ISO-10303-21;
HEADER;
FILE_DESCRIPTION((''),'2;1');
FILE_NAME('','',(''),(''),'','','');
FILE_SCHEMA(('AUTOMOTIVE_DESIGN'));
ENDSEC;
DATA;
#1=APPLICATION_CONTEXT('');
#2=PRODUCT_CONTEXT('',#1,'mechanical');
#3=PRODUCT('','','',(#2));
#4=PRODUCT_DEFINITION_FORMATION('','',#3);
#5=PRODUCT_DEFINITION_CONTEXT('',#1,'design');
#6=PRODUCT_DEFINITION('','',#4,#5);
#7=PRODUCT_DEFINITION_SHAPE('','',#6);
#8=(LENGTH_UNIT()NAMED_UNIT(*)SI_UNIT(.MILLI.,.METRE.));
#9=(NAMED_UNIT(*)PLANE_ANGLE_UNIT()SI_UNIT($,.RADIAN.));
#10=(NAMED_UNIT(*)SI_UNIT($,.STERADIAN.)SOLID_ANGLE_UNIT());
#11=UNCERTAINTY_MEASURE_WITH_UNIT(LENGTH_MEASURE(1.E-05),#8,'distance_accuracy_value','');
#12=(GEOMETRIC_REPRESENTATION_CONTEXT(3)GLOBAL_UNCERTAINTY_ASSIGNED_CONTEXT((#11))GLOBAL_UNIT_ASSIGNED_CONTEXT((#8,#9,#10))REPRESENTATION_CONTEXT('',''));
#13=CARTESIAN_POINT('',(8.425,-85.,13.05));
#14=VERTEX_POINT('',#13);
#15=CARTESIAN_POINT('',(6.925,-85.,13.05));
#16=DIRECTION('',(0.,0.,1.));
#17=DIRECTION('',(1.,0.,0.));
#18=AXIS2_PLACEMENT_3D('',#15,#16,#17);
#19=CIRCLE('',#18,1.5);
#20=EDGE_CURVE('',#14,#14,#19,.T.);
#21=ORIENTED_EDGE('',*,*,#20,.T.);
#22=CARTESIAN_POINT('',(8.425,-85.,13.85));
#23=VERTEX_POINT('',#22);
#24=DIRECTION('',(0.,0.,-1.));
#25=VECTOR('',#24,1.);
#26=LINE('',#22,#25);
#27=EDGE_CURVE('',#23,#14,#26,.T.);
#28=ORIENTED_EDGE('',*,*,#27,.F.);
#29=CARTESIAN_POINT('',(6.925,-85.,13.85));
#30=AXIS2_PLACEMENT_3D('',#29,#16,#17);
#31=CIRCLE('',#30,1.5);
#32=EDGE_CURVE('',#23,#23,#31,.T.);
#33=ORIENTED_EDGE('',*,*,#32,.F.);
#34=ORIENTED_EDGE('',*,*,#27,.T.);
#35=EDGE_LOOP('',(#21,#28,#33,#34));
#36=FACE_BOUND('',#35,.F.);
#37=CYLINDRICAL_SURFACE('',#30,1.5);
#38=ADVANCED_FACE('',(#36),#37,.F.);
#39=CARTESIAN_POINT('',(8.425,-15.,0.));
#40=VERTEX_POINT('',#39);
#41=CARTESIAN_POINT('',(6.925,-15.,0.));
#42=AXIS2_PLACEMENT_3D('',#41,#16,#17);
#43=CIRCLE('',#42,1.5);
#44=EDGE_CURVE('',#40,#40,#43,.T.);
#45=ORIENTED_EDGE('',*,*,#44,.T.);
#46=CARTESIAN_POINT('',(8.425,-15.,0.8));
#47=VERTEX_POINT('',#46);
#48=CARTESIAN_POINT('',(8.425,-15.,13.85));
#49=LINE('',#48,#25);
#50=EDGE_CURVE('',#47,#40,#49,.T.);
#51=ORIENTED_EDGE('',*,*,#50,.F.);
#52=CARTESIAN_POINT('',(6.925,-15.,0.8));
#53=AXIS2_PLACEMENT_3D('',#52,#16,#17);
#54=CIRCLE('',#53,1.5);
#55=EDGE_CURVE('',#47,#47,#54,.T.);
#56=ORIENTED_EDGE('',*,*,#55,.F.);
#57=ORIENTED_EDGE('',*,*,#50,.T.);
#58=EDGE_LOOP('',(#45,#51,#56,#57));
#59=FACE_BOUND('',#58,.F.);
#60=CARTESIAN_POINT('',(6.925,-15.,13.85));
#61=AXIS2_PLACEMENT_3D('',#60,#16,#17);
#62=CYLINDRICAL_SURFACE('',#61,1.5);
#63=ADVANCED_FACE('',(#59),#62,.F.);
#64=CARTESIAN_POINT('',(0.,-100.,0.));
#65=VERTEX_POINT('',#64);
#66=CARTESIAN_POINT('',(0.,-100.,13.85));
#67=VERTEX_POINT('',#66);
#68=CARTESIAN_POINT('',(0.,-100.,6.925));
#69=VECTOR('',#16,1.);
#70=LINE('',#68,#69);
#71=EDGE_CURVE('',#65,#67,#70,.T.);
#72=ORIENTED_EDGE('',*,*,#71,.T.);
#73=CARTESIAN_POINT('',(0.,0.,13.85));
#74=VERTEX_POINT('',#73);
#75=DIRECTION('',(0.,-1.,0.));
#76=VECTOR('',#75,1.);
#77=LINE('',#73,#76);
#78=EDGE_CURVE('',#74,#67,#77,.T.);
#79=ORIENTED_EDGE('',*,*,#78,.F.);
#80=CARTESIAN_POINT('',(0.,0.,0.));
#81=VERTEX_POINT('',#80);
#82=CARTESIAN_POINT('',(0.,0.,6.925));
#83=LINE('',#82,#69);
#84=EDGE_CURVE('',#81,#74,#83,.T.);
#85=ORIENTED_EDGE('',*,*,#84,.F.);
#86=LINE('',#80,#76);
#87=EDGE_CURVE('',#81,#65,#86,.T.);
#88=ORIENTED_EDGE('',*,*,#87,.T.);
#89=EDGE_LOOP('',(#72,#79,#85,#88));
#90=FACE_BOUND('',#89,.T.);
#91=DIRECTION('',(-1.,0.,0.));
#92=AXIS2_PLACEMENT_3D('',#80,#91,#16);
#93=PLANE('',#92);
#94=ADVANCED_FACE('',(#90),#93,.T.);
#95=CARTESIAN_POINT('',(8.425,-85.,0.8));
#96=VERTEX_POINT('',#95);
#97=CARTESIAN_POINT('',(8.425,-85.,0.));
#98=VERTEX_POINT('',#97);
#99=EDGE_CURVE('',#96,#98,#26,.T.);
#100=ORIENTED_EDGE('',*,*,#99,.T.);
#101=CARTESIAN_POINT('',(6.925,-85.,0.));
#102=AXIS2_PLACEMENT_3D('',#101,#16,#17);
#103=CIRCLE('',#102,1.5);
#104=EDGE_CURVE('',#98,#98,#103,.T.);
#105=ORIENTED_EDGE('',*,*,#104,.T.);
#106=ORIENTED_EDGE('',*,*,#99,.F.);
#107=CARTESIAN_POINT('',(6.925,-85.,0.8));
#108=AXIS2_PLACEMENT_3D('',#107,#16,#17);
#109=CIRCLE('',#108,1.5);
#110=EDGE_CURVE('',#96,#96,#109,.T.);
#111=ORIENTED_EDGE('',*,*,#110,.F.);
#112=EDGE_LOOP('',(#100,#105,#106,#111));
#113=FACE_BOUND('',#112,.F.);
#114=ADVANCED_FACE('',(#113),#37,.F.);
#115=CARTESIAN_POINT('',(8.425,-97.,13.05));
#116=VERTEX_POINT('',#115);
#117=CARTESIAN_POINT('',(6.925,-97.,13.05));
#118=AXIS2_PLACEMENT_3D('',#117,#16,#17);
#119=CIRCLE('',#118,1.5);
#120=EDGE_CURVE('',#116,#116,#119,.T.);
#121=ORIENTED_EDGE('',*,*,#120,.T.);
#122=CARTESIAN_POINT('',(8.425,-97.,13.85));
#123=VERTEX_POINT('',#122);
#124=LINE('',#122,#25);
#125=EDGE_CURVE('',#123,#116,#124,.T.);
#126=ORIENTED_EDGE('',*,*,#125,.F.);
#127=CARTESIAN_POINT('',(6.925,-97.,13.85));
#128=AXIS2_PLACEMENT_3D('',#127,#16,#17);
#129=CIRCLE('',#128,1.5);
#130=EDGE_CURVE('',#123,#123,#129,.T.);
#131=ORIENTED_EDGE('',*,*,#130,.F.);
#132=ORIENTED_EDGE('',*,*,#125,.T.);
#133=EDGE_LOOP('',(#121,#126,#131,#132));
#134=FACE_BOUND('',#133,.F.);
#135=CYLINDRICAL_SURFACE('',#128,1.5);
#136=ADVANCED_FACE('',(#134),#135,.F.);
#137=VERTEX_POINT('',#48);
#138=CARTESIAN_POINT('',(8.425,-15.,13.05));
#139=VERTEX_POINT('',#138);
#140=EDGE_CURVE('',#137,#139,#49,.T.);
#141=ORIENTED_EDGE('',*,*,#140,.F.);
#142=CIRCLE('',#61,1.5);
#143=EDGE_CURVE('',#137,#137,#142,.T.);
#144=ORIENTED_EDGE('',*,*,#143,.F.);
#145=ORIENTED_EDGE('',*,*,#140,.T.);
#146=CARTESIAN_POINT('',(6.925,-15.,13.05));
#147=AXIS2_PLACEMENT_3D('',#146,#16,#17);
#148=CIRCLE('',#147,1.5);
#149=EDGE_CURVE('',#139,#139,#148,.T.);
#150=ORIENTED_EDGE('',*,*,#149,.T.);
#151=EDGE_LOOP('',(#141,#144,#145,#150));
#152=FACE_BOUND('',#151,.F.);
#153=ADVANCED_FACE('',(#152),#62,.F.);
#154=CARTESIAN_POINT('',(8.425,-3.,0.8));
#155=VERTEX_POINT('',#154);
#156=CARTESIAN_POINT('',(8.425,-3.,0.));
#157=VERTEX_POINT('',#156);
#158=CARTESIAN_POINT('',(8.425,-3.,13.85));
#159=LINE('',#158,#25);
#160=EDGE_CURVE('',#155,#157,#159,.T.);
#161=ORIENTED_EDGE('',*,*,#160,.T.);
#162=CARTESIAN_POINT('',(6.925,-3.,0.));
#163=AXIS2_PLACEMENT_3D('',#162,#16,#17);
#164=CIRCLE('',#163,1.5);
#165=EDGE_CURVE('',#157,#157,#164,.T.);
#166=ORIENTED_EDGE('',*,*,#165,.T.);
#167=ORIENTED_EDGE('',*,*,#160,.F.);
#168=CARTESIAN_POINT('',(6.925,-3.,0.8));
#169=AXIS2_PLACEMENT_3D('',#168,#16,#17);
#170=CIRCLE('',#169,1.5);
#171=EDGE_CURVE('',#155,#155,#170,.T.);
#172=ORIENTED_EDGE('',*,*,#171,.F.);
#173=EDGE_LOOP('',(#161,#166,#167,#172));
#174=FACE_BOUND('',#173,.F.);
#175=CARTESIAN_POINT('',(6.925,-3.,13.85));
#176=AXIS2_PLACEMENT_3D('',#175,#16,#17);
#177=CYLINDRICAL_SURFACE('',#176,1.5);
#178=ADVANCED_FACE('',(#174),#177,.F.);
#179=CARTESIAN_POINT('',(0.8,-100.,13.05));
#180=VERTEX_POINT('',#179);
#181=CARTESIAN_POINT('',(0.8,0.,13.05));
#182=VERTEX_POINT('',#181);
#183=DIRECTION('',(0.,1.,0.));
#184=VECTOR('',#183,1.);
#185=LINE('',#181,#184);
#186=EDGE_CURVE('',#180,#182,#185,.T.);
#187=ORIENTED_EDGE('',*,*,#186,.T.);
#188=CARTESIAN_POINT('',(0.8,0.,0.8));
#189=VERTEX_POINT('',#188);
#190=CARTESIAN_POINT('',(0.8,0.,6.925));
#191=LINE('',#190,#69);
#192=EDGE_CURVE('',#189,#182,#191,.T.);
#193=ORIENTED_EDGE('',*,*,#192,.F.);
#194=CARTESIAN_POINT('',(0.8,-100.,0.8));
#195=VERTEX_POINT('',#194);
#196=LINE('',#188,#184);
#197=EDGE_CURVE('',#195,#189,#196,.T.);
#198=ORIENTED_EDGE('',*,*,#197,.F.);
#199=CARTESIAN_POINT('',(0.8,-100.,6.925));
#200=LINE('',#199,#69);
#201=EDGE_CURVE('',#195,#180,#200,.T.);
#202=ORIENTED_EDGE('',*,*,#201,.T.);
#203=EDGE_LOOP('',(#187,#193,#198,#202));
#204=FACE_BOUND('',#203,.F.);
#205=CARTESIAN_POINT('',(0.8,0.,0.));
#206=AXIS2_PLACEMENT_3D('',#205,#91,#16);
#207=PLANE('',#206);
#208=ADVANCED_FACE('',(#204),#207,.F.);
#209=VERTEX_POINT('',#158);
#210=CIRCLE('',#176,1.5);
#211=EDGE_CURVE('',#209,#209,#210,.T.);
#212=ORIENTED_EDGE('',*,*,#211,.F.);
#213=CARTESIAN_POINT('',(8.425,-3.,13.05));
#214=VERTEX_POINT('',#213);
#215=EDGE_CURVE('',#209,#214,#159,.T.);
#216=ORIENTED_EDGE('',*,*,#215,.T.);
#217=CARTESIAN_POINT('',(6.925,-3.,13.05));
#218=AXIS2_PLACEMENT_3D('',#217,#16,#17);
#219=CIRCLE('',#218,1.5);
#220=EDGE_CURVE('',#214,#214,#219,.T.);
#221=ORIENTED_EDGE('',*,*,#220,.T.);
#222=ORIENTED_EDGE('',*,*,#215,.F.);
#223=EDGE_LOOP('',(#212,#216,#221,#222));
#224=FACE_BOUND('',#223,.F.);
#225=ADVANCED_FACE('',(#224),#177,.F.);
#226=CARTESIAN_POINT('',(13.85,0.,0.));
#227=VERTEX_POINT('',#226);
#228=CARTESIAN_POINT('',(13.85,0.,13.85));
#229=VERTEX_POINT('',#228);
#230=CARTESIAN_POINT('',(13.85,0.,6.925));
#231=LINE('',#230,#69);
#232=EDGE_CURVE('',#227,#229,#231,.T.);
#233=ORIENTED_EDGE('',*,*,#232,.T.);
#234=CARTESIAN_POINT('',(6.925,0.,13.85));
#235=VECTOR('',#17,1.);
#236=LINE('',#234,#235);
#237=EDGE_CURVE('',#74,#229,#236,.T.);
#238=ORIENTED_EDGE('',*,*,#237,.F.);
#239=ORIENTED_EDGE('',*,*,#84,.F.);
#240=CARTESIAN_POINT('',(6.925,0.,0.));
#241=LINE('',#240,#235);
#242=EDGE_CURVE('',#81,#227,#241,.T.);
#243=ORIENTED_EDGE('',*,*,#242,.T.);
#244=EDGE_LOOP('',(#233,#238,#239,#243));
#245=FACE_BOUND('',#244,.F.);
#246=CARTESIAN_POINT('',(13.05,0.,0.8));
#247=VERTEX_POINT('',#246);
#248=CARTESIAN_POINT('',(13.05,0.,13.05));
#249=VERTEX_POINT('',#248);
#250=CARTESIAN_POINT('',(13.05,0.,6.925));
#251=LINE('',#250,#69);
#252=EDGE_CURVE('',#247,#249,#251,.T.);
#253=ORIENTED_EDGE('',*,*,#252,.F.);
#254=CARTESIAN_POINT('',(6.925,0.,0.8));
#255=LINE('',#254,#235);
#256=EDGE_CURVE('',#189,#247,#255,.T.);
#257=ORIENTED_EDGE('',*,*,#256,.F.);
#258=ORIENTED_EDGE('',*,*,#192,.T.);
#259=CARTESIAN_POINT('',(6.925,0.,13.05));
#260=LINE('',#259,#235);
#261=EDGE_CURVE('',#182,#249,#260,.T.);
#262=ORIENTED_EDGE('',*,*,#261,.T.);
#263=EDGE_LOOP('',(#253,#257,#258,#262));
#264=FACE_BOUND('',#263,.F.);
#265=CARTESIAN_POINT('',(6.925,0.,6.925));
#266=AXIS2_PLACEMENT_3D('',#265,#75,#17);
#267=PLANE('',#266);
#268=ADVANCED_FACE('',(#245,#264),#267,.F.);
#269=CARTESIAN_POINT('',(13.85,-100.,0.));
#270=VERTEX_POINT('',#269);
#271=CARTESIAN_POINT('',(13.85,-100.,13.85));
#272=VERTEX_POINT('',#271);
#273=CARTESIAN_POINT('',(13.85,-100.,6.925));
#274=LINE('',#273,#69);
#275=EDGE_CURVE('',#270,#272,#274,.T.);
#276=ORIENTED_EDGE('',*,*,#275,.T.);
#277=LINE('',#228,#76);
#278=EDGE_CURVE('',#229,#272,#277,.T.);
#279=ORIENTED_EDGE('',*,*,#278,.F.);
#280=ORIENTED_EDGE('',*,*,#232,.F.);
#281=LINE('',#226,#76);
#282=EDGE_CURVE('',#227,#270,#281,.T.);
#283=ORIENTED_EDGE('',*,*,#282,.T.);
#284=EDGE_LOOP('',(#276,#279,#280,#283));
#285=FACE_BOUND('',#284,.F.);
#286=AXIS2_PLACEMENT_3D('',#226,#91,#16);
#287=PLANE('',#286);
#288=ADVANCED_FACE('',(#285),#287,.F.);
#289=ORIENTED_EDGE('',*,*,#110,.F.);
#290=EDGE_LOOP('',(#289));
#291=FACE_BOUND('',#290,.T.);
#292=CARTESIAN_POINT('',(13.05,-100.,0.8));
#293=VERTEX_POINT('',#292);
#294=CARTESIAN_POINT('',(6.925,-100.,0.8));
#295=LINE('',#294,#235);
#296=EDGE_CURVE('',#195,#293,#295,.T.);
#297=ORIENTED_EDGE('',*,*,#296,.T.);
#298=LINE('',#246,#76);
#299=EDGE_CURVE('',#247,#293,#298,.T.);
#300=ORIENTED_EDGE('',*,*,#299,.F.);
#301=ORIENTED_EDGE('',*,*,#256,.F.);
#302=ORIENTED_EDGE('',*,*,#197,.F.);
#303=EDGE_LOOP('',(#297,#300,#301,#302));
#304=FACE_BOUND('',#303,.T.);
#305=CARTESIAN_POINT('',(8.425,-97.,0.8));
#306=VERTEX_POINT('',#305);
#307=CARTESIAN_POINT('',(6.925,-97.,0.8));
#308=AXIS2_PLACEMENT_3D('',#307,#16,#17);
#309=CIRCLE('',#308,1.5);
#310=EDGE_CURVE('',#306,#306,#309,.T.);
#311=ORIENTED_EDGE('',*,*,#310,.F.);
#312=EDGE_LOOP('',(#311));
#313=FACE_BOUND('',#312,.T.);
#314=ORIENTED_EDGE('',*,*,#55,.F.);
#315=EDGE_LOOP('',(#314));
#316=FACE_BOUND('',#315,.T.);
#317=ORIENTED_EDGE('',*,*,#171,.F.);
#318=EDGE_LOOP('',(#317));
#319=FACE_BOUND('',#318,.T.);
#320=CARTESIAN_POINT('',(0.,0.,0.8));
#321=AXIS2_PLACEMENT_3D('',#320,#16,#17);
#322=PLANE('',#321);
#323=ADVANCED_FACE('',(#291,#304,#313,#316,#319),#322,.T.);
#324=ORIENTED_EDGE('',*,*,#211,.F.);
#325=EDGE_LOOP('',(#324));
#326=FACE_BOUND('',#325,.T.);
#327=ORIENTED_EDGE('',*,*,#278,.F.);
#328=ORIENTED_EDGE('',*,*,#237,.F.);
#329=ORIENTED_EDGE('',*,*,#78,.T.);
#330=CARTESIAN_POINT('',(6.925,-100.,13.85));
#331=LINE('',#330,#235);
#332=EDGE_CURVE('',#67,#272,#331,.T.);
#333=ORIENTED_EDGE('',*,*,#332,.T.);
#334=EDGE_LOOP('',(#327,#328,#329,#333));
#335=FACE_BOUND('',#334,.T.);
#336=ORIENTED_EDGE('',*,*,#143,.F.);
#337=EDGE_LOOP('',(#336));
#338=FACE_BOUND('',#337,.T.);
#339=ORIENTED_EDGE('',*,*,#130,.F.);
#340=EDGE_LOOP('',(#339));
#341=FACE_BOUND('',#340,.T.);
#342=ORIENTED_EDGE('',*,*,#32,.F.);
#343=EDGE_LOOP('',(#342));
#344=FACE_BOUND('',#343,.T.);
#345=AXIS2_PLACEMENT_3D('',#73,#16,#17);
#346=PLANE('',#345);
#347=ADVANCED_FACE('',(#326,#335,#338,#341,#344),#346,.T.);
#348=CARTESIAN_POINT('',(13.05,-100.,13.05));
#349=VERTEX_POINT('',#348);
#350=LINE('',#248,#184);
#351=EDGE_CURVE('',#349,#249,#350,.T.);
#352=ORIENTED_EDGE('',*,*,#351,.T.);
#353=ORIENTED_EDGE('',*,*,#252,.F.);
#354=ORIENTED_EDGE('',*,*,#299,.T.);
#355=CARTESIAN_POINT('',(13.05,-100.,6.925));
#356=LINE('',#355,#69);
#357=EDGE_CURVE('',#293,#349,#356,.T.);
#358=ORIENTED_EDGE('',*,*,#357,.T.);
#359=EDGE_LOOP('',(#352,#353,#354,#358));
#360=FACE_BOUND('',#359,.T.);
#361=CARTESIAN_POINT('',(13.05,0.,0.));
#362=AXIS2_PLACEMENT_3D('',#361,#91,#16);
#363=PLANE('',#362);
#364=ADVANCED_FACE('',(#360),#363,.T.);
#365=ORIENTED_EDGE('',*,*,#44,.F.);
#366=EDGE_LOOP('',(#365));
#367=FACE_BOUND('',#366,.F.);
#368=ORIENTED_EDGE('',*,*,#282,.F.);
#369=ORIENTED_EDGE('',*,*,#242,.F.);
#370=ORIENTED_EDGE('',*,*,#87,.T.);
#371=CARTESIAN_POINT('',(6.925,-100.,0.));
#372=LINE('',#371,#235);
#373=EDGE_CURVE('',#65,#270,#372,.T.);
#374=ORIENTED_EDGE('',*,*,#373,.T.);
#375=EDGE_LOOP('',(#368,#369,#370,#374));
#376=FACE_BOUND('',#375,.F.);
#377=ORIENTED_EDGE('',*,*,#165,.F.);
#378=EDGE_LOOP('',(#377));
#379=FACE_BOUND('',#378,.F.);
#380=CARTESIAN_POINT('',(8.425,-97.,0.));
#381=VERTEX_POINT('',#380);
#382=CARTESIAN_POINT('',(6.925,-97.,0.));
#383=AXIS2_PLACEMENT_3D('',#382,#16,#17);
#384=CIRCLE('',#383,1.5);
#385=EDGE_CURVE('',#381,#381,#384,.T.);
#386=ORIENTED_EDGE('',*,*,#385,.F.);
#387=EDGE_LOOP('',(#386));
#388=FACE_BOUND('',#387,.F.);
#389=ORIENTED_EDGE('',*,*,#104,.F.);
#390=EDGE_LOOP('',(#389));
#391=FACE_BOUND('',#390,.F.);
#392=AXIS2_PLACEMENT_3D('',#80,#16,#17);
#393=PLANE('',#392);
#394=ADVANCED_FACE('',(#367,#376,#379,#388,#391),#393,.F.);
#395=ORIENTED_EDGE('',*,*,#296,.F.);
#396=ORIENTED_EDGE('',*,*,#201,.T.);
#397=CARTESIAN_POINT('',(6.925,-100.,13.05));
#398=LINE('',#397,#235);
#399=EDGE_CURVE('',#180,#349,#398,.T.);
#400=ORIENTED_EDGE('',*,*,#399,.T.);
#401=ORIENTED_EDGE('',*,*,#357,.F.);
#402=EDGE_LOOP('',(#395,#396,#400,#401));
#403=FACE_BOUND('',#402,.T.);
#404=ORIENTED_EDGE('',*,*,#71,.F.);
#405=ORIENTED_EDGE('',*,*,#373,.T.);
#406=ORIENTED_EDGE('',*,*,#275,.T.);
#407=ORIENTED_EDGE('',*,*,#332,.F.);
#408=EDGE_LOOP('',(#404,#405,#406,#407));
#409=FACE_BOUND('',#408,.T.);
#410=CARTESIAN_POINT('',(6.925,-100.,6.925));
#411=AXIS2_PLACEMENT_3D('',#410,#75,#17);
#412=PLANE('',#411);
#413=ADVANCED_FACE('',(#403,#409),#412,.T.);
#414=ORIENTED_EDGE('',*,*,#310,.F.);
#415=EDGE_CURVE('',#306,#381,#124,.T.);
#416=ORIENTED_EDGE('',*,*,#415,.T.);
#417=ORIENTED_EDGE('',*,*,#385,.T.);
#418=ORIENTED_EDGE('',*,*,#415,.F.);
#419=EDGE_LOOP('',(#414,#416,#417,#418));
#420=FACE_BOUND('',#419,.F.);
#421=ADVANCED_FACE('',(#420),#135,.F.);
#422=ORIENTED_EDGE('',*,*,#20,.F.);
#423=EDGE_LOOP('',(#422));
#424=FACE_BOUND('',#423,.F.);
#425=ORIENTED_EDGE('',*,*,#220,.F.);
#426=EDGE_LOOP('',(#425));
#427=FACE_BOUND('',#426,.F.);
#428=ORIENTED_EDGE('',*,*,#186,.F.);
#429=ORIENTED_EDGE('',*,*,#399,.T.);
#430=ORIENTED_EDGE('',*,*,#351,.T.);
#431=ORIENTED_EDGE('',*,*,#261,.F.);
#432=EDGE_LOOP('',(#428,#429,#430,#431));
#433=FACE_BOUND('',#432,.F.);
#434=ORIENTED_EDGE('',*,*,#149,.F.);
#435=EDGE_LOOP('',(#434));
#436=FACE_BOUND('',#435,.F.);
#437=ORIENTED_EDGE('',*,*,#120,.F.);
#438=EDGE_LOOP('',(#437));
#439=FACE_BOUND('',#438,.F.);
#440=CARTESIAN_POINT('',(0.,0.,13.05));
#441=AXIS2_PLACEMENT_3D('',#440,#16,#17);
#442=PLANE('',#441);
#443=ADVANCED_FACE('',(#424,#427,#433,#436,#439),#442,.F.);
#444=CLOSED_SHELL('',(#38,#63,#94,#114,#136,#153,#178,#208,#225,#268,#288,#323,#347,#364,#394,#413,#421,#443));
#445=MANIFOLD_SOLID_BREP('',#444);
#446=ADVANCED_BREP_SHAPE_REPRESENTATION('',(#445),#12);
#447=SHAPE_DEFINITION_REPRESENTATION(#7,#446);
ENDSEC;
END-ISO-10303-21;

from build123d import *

# Parameters (mm, degrees)
F0_W     = 13.85
F0_H     = 13.85
F1_DEPTH = 100
F2_T     = -0.8
F3_R     = 1.5
F4_DEPTH = 25


with BuildPart() as f1:
    # F0 (on Front) → F1 (new body)
    with BuildSketch(Plane.XZ):
        with Locations((6.925, 6.925)):
            Rectangle(F0_W, F0_H)
    extrude(amount=F1_DEPTH)

    # F2
    f2_openings = [f1.faces().sort_by_distance(p)[0] for p in [
        (6.925, -100, 6.925),
        (6.925, 0, 6.925),
    ]]
    offset(amount=F2_T, openings=f2_openings)

    # F3 (on face) → F4 (cut)
    with BuildSketch(Plane.XY.offset(13.85)):
        with Locations((6.925, -97)):
            Circle(F3_R)
        with Locations((6.925, -85)):
            Circle(F3_R)
        with Locations((6.925, -15)):
            Circle(F3_R)
        with Locations((6.925, -3)):
            Circle(F3_R)
    extrude(amount=-F4_DEPTH, mode=Mode.SUBTRACT)


solid = f1.part
